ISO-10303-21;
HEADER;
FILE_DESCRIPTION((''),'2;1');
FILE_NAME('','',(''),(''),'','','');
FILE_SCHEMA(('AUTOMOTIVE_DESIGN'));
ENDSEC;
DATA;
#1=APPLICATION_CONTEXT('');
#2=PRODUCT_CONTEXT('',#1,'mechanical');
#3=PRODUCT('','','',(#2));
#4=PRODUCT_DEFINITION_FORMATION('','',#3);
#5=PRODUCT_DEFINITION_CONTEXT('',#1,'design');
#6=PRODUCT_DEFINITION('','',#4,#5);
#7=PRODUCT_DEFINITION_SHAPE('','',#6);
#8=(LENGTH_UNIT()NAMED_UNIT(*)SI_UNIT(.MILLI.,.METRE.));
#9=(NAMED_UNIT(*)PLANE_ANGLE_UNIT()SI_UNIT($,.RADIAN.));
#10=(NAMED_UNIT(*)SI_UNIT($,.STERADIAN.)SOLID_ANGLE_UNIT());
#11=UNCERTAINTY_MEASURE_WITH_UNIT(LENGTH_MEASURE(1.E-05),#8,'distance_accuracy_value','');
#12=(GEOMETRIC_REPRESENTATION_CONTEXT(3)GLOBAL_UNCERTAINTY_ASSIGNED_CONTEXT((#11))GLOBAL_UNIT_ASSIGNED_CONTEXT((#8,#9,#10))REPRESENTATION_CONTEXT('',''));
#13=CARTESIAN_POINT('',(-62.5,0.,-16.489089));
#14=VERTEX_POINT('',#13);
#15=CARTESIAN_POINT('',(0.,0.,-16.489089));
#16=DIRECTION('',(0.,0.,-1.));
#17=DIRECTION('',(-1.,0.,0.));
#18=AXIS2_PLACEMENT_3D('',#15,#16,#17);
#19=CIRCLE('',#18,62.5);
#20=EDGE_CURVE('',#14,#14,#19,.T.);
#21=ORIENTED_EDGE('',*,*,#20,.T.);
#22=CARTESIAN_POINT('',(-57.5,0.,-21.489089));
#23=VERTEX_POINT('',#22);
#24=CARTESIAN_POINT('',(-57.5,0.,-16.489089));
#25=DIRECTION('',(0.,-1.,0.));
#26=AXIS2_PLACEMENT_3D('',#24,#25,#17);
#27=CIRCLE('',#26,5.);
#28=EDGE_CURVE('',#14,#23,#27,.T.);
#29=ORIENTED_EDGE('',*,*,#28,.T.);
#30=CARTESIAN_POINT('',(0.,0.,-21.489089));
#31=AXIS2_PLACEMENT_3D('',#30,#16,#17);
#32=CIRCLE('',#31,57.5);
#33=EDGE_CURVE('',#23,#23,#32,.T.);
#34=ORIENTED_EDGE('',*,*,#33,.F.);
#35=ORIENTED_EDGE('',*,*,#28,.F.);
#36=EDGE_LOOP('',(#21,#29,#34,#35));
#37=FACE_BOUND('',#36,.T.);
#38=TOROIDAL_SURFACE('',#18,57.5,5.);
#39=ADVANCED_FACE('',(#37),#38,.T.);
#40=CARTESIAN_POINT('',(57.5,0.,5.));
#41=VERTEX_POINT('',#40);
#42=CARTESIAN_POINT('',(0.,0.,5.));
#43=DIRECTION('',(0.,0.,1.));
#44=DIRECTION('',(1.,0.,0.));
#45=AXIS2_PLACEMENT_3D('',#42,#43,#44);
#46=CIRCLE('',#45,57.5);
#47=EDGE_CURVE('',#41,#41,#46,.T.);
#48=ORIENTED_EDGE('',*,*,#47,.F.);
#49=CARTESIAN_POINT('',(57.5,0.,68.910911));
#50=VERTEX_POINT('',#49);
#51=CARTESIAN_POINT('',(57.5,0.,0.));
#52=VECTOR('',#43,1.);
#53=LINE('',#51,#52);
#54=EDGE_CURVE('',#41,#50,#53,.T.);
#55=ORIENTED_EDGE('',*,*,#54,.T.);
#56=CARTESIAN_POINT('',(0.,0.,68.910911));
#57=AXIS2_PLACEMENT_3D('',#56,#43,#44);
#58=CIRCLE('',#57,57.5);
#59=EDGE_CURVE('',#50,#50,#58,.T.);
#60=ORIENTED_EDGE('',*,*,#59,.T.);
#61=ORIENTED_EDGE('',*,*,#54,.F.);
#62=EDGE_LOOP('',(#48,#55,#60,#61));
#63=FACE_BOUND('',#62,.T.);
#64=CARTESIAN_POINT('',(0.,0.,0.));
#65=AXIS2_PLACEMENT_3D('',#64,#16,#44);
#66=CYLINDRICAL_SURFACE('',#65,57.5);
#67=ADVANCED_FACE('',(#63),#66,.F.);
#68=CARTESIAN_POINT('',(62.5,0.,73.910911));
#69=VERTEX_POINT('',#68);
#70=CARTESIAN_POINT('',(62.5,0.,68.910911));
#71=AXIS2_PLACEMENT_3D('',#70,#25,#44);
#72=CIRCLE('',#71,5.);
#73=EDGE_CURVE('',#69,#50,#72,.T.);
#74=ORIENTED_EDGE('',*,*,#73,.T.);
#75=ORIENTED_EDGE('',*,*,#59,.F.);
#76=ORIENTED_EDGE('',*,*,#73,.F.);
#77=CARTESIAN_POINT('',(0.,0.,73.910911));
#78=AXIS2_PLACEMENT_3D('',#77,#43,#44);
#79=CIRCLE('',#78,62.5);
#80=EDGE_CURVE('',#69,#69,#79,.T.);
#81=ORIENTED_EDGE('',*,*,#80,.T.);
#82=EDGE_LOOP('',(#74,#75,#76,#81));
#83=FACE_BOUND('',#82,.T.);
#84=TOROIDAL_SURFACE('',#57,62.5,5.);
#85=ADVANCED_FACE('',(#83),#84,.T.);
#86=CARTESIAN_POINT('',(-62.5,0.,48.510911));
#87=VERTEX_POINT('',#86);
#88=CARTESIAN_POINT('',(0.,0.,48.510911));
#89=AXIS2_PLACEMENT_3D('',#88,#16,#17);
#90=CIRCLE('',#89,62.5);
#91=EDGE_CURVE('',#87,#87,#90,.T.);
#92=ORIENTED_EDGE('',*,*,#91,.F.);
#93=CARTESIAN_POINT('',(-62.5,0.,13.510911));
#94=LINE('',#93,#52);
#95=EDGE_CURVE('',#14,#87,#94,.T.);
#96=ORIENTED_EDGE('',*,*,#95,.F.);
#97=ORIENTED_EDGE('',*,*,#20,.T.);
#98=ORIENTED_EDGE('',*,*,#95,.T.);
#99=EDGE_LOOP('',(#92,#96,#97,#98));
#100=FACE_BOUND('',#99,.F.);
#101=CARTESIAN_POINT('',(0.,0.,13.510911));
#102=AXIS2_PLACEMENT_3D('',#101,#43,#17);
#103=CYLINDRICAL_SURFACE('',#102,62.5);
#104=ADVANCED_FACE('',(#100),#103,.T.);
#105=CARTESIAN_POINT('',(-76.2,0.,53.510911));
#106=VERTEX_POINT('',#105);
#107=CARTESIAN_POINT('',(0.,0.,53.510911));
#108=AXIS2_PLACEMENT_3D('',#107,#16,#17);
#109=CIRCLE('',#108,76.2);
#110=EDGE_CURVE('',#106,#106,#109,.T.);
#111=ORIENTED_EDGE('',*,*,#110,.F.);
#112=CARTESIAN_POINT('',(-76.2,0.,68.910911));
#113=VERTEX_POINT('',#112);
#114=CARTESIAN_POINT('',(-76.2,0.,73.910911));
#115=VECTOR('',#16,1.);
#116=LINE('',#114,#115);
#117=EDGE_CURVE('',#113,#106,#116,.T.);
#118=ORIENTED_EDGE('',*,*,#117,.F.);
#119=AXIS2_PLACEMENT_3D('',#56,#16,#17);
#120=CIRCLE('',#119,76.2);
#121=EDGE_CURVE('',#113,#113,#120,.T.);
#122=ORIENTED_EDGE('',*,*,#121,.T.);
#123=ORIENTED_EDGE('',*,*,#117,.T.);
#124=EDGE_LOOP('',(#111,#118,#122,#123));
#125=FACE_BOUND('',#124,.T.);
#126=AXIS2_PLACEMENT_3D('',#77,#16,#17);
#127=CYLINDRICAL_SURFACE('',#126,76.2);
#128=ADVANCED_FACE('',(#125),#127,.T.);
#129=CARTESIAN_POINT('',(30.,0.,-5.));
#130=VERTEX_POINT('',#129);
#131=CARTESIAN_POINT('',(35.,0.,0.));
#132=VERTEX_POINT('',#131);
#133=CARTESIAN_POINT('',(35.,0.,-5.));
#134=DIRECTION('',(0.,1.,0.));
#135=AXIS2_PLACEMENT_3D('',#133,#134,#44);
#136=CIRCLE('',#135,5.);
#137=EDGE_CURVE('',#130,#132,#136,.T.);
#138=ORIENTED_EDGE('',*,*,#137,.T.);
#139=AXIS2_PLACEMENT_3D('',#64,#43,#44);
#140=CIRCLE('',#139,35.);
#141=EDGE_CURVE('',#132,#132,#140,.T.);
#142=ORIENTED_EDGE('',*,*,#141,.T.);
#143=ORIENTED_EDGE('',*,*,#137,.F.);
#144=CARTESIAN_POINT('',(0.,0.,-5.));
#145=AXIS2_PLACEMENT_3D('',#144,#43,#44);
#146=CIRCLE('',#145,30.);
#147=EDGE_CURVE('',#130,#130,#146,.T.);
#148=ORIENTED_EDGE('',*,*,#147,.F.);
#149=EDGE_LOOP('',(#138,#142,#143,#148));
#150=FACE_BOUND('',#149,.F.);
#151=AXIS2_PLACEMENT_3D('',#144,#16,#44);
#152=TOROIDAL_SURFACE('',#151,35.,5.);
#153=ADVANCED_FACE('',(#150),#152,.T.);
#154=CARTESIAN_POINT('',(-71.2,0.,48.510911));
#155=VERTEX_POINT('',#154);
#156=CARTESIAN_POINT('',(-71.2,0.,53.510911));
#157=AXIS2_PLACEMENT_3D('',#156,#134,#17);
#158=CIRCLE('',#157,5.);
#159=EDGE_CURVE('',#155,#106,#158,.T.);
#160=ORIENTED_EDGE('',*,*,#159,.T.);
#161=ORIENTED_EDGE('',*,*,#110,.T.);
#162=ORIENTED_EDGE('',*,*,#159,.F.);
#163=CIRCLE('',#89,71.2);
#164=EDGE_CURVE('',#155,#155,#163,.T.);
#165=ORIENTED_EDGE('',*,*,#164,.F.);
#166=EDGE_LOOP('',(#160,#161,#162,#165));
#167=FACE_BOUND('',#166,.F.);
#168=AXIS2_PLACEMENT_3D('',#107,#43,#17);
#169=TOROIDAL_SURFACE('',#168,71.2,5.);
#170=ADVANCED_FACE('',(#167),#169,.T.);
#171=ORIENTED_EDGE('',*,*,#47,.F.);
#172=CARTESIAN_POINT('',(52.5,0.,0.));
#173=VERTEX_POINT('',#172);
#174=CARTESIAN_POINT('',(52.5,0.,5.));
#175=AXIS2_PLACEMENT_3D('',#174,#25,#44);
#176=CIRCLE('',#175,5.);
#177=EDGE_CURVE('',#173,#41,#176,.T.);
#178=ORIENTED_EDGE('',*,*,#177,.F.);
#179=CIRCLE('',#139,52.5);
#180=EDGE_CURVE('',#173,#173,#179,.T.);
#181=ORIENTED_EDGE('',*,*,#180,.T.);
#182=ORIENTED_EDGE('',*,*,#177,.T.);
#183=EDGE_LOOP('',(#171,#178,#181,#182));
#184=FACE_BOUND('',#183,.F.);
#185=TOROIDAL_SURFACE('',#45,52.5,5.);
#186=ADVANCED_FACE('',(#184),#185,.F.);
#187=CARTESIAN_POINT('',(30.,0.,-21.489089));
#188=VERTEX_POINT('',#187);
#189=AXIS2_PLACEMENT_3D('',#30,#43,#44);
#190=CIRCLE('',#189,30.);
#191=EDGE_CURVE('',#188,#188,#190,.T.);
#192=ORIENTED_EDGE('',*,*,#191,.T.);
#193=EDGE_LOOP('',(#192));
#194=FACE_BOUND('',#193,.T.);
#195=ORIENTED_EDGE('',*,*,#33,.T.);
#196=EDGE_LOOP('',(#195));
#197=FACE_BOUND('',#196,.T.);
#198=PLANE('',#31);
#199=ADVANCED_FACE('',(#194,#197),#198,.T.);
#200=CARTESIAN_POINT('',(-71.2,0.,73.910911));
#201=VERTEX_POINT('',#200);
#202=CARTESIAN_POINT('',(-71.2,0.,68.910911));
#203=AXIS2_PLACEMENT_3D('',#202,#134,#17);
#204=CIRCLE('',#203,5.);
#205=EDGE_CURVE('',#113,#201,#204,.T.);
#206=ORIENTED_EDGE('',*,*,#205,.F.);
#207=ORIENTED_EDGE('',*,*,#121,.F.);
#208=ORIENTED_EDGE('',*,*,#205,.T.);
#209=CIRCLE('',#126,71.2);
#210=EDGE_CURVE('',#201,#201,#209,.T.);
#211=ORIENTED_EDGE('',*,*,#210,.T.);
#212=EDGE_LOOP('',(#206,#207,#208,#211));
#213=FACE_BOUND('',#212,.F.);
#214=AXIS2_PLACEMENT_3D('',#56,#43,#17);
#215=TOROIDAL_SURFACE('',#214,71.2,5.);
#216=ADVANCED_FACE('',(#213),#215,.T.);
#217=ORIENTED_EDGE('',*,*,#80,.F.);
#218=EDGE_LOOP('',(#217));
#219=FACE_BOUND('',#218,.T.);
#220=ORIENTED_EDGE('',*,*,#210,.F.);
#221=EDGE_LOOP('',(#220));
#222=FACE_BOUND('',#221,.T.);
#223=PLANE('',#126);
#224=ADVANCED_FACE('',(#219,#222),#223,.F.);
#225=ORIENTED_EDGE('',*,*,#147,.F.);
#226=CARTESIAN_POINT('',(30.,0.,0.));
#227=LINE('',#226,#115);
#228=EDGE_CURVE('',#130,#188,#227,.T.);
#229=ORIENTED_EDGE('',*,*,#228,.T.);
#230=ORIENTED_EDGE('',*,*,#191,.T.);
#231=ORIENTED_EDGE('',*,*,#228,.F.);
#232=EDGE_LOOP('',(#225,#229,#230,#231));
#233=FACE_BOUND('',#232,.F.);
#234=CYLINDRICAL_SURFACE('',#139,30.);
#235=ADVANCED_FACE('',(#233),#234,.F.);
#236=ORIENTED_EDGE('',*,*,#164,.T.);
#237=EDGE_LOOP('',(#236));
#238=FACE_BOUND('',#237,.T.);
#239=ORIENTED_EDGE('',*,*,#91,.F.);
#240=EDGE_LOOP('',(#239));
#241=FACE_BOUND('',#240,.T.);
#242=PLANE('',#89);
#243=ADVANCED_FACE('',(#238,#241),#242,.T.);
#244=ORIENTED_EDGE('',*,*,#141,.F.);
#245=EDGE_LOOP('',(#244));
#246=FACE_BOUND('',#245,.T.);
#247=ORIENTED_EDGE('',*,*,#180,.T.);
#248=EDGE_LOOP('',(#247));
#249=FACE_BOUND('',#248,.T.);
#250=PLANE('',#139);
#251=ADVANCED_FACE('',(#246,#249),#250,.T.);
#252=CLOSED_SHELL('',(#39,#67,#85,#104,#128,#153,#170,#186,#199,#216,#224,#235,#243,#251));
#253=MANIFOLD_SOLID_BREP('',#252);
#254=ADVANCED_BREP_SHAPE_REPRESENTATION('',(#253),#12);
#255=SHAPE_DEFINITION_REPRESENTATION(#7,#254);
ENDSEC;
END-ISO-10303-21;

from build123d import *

# Parameters (mm, degrees)
F0_W     = 62.5
F0_H     = 70
F1_R     = 57.5
F3_DEPTH = 73.910910777
F4_R     = 30
F5_DEPTH = 21.490089223
F6_R     = 5


with BuildPart() as f2:
    # F0 (on Front) → F2 (revolve)
    with BuildSketch(Plane.XZ):
        with Locations((-31.25, 13.510910777)):
            Rectangle(F0_W, F0_H)
        Polygon((-62.5, 48.510910777), (0, 48.510910777), (0, 73.910910777), (-76.2, 73.910910777), (-76.2, 48.510910777), align=None)
    revolve(axis=Axis((0, 0, 61.210910777), (0, 0, -1)))

    # F1 (on Top) → F3 (cut, through all)
    with BuildSketch(Plane.XY):
        Circle(F1_R)
    extrude(amount=F3_DEPTH, mode=Mode.SUBTRACT)

    # F4 (on Top) → F5 (cut, through all)
    with BuildSketch(Plane.XY):
        Circle(F4_R)
    extrude(amount=-F5_DEPTH, mode=Mode.SUBTRACT)

    # F6
    f6_edges = [f2.edges().sort_by_distance(p)[0] for p in [
        (-57.5, 0, 73.910911),
        (76.2, 0, 73.910911),
        (76.2, 0, 48.510911),
        (62.5, 0, -21.489089),
        (-30, 0, 0),
        (-57.5, 0, 0),
    ]]
    fillet(f6_edges, radius=F6_R)


solid = f2.part
